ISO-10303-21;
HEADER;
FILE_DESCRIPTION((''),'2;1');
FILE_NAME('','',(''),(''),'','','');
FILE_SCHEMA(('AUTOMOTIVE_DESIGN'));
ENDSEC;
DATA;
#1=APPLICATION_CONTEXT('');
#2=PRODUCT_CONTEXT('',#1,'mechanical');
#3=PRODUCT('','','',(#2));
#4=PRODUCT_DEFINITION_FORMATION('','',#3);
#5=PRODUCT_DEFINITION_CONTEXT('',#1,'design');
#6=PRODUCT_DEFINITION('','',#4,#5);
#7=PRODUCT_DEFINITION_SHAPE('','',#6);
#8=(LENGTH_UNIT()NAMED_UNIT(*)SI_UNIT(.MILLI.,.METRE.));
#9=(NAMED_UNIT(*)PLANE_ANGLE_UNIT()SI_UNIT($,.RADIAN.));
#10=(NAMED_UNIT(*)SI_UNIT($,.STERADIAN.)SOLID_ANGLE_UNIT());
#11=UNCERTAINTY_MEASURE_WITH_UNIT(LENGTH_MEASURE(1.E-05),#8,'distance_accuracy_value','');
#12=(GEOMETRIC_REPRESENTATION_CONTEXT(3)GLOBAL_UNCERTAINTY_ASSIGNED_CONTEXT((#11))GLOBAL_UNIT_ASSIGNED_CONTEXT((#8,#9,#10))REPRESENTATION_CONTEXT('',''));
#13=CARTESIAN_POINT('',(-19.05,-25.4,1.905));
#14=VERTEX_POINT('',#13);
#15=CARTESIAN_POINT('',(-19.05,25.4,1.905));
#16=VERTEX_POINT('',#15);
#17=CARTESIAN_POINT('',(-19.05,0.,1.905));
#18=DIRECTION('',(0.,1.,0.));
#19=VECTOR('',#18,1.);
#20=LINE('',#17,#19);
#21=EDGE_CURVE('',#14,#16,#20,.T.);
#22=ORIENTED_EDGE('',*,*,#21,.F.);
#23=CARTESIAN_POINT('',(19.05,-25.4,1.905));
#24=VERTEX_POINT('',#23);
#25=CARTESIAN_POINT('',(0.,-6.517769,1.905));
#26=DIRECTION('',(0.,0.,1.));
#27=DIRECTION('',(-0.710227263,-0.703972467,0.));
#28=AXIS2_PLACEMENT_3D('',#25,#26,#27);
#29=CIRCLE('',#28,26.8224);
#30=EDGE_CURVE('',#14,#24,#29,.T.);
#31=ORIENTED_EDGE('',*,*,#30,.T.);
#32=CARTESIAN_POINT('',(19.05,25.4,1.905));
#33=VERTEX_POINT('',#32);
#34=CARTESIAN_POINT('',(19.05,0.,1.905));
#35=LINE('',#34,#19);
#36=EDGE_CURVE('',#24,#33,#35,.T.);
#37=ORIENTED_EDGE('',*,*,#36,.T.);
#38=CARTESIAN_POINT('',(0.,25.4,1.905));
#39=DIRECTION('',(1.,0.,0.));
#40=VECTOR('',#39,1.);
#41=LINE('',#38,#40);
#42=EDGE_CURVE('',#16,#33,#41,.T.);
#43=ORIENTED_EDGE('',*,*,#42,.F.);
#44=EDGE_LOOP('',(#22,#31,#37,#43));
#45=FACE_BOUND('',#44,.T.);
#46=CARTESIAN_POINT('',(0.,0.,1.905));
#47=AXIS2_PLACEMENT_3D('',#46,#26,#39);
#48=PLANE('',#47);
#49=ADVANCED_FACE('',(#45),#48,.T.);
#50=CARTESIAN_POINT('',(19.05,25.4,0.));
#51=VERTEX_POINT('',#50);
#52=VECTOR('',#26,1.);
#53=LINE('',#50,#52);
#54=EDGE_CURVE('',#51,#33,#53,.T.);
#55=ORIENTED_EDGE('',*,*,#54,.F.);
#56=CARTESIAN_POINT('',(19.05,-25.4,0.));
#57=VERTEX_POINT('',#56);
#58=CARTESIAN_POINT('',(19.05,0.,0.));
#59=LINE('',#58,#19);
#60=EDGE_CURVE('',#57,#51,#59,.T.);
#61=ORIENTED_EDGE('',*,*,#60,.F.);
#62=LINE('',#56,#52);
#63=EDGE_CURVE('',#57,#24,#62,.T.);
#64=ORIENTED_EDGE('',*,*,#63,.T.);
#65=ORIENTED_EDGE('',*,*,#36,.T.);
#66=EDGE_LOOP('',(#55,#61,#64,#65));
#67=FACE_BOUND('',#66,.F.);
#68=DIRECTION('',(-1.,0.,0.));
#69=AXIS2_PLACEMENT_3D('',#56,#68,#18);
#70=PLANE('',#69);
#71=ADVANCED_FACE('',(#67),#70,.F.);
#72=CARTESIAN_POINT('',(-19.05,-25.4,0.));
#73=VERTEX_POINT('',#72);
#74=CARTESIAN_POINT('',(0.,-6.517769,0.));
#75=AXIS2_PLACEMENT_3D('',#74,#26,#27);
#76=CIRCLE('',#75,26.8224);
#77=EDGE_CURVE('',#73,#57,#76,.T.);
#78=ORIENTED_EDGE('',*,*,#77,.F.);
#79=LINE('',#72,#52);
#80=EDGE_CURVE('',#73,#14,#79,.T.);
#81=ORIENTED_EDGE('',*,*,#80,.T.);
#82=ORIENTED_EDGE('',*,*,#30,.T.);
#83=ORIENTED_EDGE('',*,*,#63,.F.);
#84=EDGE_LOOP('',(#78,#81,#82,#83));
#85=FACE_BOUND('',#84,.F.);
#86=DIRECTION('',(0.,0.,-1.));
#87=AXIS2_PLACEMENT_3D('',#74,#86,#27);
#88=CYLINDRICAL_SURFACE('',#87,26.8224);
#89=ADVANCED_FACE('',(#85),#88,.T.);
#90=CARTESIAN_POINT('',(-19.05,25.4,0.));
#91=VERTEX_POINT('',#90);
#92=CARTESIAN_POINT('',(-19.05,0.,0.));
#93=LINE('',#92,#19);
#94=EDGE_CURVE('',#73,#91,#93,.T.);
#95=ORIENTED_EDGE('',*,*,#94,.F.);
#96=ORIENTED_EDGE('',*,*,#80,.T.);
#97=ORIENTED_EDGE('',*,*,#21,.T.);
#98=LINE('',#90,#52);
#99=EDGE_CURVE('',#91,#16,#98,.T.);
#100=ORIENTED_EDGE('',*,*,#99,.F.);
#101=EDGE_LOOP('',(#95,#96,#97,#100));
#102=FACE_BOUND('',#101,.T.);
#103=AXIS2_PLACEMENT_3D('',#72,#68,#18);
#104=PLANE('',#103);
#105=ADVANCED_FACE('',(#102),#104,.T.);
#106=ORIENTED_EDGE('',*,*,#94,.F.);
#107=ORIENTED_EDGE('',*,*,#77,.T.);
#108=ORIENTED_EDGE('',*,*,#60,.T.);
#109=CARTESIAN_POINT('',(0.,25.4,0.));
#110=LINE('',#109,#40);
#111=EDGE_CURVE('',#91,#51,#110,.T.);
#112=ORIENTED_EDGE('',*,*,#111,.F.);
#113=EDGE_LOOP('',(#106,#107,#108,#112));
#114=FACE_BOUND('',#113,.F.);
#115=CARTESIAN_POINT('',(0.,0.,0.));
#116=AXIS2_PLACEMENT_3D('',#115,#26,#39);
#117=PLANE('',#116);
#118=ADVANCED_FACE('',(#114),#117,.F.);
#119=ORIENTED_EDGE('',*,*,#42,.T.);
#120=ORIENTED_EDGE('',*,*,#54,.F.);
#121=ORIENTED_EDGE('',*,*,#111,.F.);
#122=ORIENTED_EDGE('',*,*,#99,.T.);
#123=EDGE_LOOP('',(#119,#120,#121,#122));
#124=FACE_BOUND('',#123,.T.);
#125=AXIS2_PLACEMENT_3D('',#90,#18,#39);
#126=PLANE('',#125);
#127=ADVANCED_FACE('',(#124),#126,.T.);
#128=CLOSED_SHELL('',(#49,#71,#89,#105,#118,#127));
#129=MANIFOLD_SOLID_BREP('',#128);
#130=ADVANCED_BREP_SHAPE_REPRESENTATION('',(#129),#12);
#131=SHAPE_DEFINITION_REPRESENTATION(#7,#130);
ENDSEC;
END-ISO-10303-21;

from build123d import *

# Parameters (mm, degrees)
F0_W     = 38.1
F0_H     = 50.8
F1_DEPTH = 1.905


with BuildPart() as f1:
    # F0 (on Top) → F1 (new body)
    with BuildSketch(Plane.XY):
        Rectangle(F0_W, F0_H)
        with BuildLine():
            ThreePointArc((-19.05, -25.4), (0, -33.340169), (19.05, -25.4))
            Line((19.05, -25.4), (-19.05, -25.4))
        make_face()
    extrude(amount=F1_DEPTH)


solid = f1.part
